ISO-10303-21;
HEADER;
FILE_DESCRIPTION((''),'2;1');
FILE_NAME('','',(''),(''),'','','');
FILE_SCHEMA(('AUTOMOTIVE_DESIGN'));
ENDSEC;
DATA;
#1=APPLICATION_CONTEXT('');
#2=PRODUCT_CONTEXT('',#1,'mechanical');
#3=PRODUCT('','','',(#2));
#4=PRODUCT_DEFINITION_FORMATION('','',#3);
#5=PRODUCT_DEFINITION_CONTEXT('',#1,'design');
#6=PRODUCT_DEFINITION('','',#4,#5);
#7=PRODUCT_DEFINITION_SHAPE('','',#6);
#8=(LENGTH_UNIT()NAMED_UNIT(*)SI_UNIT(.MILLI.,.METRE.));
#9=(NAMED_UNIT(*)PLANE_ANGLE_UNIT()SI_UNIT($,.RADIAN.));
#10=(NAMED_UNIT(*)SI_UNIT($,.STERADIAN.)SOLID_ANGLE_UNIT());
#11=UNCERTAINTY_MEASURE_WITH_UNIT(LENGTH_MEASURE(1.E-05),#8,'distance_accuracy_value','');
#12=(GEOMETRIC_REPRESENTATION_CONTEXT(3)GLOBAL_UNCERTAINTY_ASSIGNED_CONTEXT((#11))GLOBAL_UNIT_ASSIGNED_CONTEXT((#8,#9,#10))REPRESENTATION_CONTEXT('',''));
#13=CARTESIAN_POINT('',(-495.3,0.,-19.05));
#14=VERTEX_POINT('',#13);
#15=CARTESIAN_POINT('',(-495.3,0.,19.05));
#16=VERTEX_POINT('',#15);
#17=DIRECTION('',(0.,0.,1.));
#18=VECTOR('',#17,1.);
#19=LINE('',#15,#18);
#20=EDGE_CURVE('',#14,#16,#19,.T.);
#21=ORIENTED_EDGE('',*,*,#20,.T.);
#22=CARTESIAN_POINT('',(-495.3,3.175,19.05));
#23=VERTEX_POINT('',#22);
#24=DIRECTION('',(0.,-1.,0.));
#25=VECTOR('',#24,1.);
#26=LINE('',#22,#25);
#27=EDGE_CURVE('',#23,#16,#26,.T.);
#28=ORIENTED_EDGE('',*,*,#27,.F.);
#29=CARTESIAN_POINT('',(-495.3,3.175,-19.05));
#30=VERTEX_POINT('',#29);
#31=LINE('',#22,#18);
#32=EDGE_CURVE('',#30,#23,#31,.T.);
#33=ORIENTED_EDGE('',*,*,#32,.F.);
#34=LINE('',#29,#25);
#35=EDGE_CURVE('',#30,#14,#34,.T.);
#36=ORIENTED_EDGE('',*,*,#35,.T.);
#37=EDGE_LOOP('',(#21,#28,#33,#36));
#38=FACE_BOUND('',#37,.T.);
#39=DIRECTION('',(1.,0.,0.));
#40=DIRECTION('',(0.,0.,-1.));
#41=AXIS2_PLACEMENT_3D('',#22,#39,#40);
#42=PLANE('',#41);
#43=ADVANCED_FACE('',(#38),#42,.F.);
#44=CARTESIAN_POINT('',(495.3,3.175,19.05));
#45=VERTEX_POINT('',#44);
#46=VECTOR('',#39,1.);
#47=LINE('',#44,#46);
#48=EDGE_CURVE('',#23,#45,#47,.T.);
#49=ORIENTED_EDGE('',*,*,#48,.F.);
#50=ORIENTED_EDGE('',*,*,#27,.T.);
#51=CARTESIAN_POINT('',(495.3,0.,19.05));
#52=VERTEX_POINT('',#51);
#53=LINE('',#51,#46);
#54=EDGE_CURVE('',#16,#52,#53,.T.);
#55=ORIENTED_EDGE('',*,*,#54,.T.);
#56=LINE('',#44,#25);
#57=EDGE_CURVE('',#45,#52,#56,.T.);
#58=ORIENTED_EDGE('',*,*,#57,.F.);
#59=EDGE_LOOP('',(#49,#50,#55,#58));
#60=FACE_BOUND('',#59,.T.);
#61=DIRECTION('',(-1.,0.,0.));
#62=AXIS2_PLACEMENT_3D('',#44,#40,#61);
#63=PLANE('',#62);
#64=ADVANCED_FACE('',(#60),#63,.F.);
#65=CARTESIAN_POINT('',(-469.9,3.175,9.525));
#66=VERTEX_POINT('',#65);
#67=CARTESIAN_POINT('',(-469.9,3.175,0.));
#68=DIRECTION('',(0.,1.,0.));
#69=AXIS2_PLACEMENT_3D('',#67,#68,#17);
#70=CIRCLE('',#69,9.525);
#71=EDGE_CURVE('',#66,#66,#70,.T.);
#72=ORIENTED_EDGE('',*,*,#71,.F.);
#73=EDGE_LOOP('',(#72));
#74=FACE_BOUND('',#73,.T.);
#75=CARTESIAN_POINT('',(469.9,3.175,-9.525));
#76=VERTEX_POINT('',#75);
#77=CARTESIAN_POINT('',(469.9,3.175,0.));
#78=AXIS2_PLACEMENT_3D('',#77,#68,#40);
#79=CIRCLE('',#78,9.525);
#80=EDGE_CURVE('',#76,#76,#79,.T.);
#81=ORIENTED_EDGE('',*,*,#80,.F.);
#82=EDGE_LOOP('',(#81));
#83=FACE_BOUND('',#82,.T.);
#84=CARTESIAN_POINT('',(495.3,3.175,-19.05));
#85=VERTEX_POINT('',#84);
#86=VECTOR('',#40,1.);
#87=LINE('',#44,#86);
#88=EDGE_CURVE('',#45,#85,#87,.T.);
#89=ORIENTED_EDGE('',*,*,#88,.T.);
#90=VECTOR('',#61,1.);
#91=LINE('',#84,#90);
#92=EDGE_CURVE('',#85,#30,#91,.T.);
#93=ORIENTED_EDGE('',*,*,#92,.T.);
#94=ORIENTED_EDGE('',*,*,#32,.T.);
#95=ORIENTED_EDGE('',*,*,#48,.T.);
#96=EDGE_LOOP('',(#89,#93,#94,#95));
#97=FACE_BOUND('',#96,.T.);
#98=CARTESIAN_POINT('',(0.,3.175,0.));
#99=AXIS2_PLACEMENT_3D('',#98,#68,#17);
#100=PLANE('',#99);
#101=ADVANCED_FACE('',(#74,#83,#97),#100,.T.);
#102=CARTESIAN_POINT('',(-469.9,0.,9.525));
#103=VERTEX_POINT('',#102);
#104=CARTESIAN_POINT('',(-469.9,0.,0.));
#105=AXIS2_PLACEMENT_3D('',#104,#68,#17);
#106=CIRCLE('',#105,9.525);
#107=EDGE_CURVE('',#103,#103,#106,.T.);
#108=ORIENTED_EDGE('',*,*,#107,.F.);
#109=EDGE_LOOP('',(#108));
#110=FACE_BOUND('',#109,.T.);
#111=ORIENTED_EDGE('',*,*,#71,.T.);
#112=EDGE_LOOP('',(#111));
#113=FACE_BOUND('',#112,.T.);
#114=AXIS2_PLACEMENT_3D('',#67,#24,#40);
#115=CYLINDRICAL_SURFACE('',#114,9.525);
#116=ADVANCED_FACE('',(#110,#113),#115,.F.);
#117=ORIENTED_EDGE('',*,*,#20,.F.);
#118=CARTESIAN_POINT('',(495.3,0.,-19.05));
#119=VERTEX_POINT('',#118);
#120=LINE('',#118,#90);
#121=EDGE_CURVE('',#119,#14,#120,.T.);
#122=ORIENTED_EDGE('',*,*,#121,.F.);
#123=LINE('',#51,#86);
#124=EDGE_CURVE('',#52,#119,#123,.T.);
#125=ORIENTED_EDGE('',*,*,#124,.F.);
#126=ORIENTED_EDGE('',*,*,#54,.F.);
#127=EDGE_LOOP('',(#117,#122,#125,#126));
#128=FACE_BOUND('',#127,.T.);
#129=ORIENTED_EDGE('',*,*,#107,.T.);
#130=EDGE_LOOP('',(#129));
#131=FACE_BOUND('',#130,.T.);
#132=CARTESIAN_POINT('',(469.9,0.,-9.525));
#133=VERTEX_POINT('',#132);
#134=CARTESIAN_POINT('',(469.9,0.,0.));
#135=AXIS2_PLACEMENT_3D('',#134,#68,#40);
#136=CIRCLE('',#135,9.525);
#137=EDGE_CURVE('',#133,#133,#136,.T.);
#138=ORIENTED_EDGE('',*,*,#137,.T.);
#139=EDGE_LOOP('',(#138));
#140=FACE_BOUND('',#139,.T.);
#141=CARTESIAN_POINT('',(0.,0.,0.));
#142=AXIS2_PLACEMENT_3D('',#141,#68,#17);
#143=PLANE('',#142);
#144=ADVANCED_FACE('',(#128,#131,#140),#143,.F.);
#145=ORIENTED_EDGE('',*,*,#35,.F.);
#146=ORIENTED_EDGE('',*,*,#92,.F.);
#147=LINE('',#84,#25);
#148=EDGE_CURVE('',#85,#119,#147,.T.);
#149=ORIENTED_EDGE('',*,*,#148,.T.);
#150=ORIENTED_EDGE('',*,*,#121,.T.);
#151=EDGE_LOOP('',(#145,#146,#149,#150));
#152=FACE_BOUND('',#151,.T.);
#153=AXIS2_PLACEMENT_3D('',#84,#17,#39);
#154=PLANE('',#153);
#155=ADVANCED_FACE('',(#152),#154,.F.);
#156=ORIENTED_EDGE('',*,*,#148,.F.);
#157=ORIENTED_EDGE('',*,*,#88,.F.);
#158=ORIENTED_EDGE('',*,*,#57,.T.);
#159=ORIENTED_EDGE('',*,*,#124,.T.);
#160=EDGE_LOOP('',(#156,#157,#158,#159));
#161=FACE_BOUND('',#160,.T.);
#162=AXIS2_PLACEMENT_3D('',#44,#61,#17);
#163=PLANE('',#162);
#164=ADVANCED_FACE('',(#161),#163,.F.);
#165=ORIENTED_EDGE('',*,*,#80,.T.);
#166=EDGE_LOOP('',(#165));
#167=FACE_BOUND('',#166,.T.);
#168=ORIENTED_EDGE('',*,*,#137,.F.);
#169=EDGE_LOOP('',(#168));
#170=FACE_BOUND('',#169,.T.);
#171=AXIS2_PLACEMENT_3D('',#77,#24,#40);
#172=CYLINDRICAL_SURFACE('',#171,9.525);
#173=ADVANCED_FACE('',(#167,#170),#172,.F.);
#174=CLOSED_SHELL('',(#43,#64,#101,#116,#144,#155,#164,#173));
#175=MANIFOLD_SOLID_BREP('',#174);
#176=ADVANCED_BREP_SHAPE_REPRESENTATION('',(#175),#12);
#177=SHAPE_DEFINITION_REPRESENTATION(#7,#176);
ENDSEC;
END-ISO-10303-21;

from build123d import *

# Parameters (mm, degrees)
SKETCH1_W           = 990.6
SKETCH1_H           = 38.1
SKETCH1_R           = 9.525
BOSS_EXTRUDE1_DEPTH = 3.175


with BuildPart() as part:
    # Sketch1 → Boss-Extrude1 (new body)
    with BuildSketch(Plane(origin=(0, 0, 0), x_dir=(1, 0, 0), z_dir=(0, 1, 0))):
        Rectangle(SKETCH1_W, SKETCH1_H)
        with Locations((-469.9, 0)):
            Circle(SKETCH1_R, mode=Mode.SUBTRACT)
        with Locations((469.9, 0)):
            Circle(SKETCH1_R, mode=Mode.SUBTRACT)
    extrude(amount=BOSS_EXTRUDE1_DEPTH)


solid = part.part
